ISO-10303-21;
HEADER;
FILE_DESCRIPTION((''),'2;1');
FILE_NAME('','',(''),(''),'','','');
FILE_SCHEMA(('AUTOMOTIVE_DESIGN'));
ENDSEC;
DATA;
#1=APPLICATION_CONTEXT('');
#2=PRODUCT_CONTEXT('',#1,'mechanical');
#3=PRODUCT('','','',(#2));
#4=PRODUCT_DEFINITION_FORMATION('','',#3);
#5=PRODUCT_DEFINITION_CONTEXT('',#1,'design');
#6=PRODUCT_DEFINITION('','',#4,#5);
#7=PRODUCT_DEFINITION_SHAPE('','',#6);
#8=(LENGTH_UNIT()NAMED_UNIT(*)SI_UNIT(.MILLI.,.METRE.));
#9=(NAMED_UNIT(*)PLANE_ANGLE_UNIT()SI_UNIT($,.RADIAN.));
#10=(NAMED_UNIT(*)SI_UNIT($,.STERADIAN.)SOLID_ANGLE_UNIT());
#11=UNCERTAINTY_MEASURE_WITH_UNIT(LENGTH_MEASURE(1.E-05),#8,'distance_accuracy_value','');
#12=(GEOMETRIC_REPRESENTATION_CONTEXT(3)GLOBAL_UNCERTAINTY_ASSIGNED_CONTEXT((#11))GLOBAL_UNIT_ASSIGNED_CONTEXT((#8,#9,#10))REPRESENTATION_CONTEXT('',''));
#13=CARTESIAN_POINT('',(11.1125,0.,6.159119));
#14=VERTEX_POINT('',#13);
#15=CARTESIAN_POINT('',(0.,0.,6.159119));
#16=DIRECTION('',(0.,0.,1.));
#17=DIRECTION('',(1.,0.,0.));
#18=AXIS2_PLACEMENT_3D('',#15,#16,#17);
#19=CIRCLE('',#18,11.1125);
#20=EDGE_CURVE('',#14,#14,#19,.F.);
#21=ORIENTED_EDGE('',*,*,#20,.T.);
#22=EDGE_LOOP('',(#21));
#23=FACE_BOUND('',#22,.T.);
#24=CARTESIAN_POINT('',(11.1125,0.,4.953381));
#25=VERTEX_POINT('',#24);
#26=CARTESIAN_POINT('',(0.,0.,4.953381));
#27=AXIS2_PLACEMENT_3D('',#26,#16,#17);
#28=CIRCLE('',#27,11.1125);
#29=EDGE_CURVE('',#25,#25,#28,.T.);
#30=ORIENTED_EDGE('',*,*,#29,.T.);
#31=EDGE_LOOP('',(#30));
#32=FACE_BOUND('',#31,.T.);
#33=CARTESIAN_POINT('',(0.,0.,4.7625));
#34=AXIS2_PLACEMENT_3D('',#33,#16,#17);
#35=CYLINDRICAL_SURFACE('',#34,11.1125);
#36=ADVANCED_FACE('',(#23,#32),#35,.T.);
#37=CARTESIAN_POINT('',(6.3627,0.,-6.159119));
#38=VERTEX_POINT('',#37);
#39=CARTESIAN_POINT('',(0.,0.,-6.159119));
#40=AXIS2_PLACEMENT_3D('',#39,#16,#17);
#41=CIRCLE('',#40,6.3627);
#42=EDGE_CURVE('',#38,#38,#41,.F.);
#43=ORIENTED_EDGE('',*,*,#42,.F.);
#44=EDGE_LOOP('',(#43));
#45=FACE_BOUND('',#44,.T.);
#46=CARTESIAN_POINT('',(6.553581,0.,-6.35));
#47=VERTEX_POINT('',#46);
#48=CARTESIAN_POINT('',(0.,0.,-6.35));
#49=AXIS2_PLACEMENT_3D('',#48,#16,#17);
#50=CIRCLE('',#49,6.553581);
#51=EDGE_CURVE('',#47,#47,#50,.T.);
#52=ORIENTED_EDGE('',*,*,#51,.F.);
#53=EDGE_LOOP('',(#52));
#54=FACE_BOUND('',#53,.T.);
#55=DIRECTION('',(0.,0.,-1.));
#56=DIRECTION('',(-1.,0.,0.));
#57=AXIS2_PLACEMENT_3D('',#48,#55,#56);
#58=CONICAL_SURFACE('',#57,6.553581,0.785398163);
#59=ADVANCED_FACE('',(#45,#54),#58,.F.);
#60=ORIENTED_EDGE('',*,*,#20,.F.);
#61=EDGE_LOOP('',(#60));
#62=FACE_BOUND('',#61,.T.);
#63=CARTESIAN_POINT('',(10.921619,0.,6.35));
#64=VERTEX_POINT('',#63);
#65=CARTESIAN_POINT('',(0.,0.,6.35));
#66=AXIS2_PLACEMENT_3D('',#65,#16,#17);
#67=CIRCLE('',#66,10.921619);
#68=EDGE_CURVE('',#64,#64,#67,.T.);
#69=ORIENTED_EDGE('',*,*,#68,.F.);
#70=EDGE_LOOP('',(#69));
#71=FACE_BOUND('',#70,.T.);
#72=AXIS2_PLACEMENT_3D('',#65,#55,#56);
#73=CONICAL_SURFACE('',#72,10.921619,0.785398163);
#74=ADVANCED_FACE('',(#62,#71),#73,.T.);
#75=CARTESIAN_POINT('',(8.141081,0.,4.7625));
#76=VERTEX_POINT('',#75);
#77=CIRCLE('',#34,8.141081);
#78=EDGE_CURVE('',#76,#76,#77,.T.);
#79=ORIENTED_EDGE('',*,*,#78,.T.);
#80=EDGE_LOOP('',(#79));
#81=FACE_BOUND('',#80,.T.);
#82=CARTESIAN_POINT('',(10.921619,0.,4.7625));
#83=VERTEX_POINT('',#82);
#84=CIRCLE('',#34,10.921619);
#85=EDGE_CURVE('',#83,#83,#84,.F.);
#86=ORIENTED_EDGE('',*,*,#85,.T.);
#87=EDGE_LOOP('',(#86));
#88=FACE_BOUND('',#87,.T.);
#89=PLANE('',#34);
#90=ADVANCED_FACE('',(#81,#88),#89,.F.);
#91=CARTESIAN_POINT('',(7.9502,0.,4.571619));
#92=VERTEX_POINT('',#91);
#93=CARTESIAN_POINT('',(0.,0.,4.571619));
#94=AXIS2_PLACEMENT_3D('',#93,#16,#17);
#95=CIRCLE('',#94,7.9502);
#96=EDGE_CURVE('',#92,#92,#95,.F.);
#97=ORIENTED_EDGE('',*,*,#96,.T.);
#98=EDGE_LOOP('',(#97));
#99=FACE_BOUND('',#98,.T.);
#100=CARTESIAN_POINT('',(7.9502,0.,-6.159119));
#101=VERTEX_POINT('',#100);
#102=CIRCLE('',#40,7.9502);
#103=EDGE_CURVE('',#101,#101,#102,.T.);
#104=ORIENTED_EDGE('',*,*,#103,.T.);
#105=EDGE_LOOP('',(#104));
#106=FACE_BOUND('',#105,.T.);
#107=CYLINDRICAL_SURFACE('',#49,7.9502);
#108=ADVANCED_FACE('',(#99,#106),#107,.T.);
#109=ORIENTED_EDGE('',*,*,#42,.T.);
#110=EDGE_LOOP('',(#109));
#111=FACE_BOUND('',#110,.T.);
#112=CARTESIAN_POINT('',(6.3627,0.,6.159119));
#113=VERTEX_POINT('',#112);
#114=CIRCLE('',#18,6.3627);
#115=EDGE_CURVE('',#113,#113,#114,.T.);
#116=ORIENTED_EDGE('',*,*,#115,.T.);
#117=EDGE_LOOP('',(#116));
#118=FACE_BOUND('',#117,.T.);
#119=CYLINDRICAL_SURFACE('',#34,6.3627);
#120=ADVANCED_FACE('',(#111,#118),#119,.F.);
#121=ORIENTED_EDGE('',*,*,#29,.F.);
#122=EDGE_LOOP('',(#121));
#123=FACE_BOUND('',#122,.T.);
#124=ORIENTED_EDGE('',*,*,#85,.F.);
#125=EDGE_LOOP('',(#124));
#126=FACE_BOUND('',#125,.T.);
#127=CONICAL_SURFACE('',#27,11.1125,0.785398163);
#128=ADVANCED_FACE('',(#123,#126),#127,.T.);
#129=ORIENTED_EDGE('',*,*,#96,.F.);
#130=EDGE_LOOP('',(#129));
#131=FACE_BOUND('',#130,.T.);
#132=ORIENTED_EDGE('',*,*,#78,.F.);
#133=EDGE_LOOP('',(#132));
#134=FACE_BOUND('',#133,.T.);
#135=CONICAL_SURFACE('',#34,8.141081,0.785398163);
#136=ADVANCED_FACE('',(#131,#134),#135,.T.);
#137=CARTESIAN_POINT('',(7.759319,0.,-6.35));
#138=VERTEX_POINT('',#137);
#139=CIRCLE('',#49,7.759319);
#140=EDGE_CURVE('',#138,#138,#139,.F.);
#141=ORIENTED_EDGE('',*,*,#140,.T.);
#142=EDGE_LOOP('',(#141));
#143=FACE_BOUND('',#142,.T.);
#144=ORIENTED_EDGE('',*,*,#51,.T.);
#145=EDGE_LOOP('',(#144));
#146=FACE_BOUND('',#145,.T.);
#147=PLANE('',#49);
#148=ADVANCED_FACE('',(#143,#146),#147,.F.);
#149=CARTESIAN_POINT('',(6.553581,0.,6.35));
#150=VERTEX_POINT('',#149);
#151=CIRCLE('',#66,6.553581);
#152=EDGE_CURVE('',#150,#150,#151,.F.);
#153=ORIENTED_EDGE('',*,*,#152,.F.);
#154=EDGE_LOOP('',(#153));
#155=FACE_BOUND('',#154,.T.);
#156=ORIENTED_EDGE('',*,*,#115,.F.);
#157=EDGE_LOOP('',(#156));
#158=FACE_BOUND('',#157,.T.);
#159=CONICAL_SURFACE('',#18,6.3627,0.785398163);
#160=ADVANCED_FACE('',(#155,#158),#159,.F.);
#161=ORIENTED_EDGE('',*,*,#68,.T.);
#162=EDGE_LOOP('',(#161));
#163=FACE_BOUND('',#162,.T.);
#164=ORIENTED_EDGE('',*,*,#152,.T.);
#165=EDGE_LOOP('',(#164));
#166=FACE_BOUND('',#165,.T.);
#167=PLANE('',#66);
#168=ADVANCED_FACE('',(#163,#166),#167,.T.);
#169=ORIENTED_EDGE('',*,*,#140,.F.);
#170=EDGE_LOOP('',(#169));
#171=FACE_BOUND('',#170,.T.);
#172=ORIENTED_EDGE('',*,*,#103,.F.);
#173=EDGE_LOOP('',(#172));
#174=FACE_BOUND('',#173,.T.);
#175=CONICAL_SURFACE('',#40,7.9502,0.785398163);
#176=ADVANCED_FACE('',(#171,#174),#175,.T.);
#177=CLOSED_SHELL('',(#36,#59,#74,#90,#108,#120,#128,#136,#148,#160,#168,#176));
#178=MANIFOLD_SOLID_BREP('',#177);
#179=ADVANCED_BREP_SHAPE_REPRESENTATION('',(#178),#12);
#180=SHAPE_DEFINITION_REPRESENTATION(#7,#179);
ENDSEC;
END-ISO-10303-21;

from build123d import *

# Parameters (mm, degrees)
BOSS_EXTRUDE1_START = 6.35
SKETCH3_R           = 11.1125
SKETCH3_R_2         = 6.3627
BOSS_EXTRUDE1_DEPTH = 1.5875
BOSS_EXTRUDE2_START = 4.7625
SKETCH4_R           = 7.9502
SKETCH4_R_2         = 6.3627
BOSS_EXTRUDE2_DEPTH = 11.1125
CHAMFER1_SIZE       = 0.190881


with BuildPart() as part:
    # Sketch3 → Boss-Extrude1 (new body)
    with BuildSketch(Plane.XY.offset(BOSS_EXTRUDE1_START)):
        Circle(SKETCH3_R)
        Circle(SKETCH3_R_2, mode=Mode.SUBTRACT)
    extrude(amount=-BOSS_EXTRUDE1_DEPTH)

    # Sketch4 → Boss-Extrude2 (add)
    with BuildSketch(Plane.XY.offset(BOSS_EXTRUDE2_START)):
        Circle(SKETCH4_R)
        Circle(SKETCH4_R_2, mode=Mode.SUBTRACT)
    extrude(amount=-BOSS_EXTRUDE2_DEPTH)

    # Chamfer1
    chamfer1_edges = [part.edges().sort_by_distance(p)[0] for p in [
        (-6.3627, 0, -6.35),
        (-7.9502, 0, 4.7625),
        (-11.1125, 0, 6.35),
        (-11.1125, 0, 4.7625),
        (-6.3627, 0, 6.35),
        (-7.9502, 0, -6.35),
    ]]
    chamfer(chamfer1_edges, length=CHAMFER1_SIZE)


solid = part.part
